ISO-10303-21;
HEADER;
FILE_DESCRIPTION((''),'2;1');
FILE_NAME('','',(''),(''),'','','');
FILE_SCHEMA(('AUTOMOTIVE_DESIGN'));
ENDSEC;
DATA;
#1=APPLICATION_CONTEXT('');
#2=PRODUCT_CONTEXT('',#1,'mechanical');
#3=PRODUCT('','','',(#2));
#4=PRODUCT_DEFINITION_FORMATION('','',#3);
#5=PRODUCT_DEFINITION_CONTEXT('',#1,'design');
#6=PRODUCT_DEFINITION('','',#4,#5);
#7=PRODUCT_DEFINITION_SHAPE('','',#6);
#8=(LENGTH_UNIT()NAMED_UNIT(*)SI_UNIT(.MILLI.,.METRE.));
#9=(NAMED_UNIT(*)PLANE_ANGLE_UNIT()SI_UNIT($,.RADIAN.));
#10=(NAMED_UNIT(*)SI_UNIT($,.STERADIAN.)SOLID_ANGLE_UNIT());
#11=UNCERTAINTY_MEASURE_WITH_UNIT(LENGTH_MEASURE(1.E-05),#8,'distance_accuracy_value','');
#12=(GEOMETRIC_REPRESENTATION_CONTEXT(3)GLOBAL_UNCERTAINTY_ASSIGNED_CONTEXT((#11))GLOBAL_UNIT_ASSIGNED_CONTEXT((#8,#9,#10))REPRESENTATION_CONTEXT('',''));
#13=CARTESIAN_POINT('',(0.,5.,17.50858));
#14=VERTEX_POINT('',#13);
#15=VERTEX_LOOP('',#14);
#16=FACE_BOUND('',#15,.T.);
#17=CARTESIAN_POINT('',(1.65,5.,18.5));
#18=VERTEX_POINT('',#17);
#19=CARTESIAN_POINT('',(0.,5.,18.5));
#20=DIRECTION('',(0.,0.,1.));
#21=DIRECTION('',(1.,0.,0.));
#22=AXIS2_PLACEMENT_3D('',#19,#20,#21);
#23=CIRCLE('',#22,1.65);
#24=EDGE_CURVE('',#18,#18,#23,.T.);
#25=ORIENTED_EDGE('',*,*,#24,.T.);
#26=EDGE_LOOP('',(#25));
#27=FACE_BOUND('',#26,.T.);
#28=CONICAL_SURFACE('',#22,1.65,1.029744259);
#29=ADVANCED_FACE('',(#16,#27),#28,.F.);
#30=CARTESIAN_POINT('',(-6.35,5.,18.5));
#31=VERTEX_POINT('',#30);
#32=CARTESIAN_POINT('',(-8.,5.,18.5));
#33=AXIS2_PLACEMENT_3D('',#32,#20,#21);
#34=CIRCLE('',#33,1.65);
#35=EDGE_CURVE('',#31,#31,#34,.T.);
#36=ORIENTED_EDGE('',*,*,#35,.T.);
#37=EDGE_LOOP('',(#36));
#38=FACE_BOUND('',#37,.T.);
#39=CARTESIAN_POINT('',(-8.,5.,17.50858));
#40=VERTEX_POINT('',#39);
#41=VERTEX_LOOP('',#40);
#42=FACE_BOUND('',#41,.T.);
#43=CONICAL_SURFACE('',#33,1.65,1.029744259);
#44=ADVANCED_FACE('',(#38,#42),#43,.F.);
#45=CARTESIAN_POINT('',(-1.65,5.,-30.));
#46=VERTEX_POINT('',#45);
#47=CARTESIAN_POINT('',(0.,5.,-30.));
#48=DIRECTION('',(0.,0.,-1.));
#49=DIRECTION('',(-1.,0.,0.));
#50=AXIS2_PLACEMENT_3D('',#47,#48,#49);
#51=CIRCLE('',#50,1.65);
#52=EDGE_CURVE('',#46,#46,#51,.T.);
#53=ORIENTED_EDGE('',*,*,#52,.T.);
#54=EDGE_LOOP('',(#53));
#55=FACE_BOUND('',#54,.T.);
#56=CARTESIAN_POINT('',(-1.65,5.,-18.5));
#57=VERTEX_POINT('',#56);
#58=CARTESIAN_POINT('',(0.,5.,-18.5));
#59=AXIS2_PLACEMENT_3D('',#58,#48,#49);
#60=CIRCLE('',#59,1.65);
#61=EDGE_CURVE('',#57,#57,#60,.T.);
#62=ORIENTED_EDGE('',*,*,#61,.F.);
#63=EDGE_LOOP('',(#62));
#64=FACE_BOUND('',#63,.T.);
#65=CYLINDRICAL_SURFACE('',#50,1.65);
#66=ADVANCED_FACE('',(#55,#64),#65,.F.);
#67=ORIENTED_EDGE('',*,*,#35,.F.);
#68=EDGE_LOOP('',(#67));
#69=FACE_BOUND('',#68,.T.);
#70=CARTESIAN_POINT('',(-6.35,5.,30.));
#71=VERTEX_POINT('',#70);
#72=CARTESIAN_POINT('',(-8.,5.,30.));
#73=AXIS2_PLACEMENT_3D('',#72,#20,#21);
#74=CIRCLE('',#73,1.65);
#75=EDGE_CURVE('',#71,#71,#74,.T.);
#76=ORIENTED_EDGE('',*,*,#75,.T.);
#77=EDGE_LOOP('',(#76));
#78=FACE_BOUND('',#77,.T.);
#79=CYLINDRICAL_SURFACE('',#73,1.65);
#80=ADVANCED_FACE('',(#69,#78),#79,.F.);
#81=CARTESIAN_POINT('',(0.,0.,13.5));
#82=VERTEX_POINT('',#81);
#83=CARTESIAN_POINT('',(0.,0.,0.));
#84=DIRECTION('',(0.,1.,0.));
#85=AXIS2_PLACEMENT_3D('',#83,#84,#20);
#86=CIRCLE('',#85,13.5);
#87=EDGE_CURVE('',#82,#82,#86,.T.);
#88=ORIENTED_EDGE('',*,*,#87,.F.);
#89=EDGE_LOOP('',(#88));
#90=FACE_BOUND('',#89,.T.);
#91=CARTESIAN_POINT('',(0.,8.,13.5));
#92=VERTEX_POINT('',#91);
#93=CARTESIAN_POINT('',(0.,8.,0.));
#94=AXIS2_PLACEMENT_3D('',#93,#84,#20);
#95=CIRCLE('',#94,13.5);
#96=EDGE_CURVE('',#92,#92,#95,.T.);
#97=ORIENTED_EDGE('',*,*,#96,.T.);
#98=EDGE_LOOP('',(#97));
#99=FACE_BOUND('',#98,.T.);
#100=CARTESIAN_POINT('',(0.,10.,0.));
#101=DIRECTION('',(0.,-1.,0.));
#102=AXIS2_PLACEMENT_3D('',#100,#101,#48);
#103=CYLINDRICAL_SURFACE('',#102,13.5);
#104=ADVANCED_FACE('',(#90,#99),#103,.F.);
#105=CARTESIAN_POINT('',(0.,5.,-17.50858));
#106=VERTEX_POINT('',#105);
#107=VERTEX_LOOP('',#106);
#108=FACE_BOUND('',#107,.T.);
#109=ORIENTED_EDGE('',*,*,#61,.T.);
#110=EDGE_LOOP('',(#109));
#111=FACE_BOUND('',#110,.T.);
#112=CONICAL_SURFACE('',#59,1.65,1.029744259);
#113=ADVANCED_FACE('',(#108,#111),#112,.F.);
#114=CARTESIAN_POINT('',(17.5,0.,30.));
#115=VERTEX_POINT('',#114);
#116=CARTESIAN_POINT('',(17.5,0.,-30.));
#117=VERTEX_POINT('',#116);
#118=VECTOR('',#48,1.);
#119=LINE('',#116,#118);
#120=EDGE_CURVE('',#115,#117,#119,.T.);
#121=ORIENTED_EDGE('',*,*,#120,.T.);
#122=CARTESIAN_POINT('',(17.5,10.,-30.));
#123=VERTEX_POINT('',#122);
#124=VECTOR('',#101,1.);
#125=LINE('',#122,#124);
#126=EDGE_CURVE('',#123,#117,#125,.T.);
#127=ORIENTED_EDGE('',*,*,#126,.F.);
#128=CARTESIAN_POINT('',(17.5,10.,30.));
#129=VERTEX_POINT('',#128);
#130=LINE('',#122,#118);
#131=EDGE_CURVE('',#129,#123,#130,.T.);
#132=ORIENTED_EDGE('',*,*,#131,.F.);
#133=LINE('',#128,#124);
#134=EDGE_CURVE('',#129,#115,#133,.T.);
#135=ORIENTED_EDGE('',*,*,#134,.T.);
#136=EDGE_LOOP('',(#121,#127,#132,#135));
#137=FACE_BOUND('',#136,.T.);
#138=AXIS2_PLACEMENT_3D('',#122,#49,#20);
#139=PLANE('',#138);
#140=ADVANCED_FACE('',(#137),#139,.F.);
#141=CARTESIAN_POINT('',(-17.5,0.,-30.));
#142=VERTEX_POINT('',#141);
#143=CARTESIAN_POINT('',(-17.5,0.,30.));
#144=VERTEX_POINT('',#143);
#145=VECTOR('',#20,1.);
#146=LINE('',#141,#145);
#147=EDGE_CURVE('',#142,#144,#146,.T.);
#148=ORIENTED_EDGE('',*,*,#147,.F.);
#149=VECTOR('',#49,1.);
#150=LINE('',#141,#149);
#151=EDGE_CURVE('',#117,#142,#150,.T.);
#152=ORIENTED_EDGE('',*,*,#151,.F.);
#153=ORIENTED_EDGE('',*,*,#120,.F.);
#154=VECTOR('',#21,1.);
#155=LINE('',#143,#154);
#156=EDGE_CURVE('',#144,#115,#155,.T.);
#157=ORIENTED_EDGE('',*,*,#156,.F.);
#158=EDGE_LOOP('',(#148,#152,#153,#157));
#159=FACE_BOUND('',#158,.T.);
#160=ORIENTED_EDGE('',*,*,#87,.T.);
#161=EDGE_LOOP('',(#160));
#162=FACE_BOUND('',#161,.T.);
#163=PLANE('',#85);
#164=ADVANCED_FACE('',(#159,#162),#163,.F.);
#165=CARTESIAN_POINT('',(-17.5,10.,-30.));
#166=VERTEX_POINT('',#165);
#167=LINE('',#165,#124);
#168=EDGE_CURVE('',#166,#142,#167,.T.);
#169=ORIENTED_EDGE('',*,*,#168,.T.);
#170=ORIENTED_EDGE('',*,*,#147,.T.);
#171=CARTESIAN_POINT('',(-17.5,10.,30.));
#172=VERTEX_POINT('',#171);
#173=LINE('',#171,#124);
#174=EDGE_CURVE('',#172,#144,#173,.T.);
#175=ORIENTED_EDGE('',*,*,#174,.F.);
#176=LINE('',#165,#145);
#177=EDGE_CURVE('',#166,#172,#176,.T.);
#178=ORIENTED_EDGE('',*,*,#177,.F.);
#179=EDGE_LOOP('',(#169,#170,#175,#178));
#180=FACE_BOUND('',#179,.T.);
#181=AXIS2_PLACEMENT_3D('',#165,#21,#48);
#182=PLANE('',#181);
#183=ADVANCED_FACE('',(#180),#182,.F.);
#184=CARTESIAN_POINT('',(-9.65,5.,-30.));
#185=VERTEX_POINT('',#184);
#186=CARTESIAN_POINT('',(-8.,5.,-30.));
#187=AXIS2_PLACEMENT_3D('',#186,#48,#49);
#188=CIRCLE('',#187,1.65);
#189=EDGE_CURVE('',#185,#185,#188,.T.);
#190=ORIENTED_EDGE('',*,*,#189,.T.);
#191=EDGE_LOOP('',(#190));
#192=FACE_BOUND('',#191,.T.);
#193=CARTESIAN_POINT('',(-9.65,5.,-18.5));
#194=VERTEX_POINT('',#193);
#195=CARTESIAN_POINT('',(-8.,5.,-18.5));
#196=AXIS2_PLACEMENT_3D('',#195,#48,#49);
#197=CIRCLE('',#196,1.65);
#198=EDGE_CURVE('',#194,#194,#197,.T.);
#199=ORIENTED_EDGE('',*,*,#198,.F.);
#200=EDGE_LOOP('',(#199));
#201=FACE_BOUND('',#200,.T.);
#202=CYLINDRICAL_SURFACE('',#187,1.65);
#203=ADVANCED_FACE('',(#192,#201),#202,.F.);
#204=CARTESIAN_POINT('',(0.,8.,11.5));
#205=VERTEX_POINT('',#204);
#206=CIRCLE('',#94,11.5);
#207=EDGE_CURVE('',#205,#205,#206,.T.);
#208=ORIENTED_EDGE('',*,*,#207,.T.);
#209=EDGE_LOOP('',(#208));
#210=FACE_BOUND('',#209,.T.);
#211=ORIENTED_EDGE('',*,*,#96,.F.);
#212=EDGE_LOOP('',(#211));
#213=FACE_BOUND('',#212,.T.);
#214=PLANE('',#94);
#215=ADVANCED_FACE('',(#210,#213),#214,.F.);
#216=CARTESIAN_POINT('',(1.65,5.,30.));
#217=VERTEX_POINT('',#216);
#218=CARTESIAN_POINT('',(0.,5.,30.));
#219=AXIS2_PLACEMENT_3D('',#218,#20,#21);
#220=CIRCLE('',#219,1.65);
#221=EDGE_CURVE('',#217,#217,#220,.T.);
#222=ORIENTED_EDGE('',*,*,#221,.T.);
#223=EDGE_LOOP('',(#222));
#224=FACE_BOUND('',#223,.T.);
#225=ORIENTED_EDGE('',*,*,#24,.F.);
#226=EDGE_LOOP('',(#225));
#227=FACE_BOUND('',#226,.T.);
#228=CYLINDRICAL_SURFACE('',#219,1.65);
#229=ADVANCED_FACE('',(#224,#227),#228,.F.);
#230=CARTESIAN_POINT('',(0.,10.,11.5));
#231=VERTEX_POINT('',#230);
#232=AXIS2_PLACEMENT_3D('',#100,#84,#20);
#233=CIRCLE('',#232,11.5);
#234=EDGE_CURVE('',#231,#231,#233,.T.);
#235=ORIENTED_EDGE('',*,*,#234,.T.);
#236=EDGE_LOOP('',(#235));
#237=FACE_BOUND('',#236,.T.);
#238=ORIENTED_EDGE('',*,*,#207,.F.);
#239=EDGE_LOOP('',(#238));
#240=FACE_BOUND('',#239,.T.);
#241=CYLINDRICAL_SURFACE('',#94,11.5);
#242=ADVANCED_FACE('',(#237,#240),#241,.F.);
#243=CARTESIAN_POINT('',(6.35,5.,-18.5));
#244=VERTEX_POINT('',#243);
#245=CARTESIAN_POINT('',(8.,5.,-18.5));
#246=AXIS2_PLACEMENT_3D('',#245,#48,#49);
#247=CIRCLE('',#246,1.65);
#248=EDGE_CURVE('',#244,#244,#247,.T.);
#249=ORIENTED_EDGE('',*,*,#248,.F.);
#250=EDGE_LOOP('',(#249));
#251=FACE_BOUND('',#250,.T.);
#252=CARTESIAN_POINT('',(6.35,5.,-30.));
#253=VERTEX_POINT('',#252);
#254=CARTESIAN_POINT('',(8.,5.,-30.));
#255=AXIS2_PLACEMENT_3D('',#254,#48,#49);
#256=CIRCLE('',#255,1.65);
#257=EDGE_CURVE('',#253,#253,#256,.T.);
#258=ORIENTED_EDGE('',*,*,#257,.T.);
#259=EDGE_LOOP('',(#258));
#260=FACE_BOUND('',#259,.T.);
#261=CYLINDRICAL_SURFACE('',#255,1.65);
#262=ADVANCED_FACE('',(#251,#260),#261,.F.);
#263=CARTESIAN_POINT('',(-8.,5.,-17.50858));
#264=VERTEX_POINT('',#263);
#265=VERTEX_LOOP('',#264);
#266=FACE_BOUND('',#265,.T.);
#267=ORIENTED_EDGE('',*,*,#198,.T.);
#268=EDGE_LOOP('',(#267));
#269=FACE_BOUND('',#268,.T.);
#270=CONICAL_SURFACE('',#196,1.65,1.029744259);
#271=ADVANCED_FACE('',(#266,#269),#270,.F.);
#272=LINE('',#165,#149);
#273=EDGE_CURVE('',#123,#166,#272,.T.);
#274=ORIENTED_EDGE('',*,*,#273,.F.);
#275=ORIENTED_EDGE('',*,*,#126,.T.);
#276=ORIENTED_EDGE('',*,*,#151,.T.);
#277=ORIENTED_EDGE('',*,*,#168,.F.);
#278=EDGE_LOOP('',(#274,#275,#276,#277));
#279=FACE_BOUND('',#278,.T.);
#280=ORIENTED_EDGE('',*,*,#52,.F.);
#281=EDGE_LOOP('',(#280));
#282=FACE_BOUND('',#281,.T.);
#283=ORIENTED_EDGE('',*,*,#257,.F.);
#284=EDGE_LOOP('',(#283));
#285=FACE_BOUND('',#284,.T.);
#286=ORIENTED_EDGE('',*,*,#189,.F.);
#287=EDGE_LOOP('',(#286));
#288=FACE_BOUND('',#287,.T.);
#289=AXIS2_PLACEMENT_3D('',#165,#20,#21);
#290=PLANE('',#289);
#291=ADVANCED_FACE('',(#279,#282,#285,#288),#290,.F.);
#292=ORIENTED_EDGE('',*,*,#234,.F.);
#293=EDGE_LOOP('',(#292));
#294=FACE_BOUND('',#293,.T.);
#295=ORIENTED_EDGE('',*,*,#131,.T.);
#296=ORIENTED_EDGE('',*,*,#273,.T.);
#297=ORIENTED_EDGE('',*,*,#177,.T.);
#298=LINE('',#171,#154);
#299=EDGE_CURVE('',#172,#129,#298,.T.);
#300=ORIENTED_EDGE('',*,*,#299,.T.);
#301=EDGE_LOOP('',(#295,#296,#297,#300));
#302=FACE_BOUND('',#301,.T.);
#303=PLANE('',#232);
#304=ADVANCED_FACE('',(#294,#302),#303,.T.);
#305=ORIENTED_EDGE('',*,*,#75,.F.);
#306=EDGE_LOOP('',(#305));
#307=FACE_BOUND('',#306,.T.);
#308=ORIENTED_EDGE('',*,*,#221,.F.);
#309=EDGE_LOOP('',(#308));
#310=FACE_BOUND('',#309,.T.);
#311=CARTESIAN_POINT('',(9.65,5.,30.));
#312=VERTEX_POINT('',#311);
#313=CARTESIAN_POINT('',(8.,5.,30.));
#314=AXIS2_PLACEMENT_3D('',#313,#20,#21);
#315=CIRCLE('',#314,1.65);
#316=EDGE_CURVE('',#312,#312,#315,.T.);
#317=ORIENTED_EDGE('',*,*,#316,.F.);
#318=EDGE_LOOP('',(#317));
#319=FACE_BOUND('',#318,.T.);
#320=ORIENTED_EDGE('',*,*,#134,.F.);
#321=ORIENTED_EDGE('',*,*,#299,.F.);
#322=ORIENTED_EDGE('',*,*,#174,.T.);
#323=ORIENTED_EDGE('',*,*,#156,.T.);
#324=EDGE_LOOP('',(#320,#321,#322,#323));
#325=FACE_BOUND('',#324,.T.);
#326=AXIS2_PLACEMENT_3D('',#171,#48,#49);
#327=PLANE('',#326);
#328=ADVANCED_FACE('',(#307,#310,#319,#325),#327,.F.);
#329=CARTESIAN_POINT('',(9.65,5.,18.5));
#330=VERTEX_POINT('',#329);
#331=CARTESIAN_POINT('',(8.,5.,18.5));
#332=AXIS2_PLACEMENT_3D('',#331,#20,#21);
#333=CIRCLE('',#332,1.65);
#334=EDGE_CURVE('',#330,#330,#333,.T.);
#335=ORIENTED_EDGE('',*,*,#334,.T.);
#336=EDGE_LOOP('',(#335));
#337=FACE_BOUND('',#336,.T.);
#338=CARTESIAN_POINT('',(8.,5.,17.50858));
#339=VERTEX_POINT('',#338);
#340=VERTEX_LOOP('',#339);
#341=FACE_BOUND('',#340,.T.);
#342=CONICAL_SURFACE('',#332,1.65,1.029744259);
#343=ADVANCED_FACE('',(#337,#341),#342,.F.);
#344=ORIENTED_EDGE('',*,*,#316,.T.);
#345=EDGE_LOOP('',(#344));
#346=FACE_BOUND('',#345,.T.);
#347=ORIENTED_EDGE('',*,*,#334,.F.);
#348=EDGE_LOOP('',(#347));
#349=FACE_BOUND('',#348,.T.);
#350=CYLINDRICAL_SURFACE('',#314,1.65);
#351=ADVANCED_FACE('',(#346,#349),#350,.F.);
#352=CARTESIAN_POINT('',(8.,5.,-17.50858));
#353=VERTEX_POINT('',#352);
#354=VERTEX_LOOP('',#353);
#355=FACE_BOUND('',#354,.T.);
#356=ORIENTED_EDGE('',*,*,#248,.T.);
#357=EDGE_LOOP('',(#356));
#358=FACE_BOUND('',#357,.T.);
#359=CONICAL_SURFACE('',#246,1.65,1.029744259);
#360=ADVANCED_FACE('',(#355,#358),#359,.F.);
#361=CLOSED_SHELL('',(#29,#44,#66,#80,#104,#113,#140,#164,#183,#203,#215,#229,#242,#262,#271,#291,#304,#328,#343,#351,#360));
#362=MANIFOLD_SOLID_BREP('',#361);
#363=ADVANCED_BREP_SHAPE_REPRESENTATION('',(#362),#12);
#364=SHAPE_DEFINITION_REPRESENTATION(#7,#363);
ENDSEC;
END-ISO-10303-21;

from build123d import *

# Parameters (mm, degrees)
SKETCH_1_W             = 35
SKETCH_1_H             = 60
SKETCH_1_R             = 13.5
EXTRUDE_1_DEPTH        = 10
SKETCH_3_R             = 13.5
SKETCH_3_R_2           = 11.5
EXTRUDE_2_DEPTH        = 2
HOLE_WIZARD_M4_2_D     = 3.3
HOLE_WIZARD_M4_2_DEPTH = 11.5
HOLE_WIZARD_M4_2_TIP   = 0.991420021
HOLE_WIZARD_M4_3_D     = 3.3
HOLE_WIZARD_M4_3_DEPTH = 11.5
HOLE_WIZARD_M4_3_TIP   = 0.991420021


with BuildPart() as part:
    # 스케치1 → 보스-돌출1 (new body)
    with BuildSketch(Plane(origin=(0, 0, 0), x_dir=(1, 0, 0), z_dir=(0, 1, 0))):
        Rectangle(SKETCH_1_W, SKETCH_1_H)
        Circle(SKETCH_1_R, mode=Mode.SUBTRACT)
    extrude(amount=EXTRUDE_1_DEPTH)

    # 스케치3 → 보스-돌출2 (add)
    with BuildSketch(Plane(origin=(0, 10, 0), x_dir=(1, 0, 0), z_dir=(0, 1, 0))):
        Circle(SKETCH_3_R)
        Circle(SKETCH_3_R_2, mode=Mode.SUBTRACT)
    extrude(amount=-EXTRUDE_2_DEPTH)

    # M4 나사 구멍2
    with Locations(Plane.XY.offset(30)):
        with Locations((-8, 5), (0, 5), (8, 5)):
            Hole(HOLE_WIZARD_M4_2_D / 2, depth=HOLE_WIZARD_M4_2_DEPTH)
            with Locations((0, 0, -(HOLE_WIZARD_M4_2_DEPTH + HOLE_WIZARD_M4_2_TIP / 2))):  # 118° drill point
                Cone(0, HOLE_WIZARD_M4_2_D / 2, HOLE_WIZARD_M4_2_TIP, mode=Mode.SUBTRACT)

    # M4 나사 구멍3
    with Locations(Plane(origin=(0, 0, -30), x_dir=(-1, 0, 0), z_dir=(0, 0, -1))):
        with Locations((-8, 5), (0, 5), (8, 5)):
            Hole(HOLE_WIZARD_M4_3_D / 2, depth=HOLE_WIZARD_M4_3_DEPTH)
            with Locations((0, 0, -(HOLE_WIZARD_M4_3_DEPTH + HOLE_WIZARD_M4_3_TIP / 2))):  # 118° drill point
                Cone(0, HOLE_WIZARD_M4_3_D / 2, HOLE_WIZARD_M4_3_TIP, mode=Mode.SUBTRACT)


solid = part.part
